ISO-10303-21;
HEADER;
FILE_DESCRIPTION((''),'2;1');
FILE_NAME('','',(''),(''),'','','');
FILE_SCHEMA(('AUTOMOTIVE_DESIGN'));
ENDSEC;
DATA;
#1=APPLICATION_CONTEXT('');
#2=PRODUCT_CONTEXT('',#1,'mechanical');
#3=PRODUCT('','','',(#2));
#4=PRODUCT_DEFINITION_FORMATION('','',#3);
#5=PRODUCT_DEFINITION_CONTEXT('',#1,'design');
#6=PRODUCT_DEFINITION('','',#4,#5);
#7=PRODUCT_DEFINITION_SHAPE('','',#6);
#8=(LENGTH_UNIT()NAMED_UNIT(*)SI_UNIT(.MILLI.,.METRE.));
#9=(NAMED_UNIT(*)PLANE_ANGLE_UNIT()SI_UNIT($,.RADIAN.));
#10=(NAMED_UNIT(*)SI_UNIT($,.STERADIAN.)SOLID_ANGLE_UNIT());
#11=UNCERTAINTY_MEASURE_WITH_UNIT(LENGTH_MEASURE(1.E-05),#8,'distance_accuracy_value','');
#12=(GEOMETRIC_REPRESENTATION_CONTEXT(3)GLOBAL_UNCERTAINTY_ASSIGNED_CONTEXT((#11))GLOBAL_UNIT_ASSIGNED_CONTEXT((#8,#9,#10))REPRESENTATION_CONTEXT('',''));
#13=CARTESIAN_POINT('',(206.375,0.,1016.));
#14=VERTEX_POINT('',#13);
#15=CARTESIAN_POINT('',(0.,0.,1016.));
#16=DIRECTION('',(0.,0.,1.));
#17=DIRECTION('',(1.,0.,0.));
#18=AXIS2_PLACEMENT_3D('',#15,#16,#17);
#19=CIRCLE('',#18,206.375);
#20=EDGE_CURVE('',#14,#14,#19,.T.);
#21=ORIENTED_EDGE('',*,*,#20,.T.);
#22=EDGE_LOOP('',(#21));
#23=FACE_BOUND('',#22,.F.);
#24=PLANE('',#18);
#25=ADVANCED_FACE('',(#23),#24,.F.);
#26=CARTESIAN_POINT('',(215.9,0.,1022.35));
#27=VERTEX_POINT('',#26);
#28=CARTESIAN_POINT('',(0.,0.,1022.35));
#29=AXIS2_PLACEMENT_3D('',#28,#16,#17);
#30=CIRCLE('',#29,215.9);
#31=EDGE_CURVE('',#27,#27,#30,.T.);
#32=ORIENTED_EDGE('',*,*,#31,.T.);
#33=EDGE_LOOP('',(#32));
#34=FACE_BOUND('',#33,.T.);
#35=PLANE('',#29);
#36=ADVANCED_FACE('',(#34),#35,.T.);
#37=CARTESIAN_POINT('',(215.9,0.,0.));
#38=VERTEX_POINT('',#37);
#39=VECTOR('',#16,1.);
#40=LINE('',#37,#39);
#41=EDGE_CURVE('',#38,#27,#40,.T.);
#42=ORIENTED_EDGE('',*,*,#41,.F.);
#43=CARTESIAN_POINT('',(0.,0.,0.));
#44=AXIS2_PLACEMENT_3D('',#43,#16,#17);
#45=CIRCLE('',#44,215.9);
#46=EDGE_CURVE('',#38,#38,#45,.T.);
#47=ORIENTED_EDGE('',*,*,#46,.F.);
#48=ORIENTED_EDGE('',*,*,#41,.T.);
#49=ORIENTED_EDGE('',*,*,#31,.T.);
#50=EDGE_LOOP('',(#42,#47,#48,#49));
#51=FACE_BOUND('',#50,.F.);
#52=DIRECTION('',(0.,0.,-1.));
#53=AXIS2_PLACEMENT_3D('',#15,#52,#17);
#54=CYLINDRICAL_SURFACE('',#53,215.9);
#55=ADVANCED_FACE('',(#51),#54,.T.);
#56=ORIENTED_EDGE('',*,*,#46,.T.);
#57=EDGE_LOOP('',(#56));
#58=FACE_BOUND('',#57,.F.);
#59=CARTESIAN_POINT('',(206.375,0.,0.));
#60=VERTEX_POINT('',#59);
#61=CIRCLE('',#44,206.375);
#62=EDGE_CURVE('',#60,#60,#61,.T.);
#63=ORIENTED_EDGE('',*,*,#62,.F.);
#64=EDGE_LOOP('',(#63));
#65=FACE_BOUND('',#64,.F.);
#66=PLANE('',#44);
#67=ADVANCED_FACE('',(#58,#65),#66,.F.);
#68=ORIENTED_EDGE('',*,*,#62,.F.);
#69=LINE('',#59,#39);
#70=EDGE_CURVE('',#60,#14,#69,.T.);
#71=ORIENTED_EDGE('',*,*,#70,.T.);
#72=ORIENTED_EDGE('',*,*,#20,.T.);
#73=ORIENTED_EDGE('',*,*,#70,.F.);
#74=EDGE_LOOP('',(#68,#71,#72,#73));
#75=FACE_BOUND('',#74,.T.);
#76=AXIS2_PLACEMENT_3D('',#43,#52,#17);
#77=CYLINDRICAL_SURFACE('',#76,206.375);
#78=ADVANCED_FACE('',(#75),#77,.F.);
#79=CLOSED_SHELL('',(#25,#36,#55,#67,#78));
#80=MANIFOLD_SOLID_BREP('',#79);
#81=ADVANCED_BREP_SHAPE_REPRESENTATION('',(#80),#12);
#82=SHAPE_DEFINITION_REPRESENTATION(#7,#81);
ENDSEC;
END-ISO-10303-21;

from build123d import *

# Parameters (mm, degrees)
F0_R     = 215.9
F0_R_2   = 206.375
F1_DEPTH = 457.2
F2_DEPTH = 1016
F3_R     = 215.9
F4_DEPTH = 6.35


with BuildPart() as f1:
    # F0 (on Top) → F1 (new body)
    with BuildSketch(Plane.XY):
        Circle(F0_R)
        Circle(F0_R_2, mode=Mode.SUBTRACT)
    extrude(amount=F1_DEPTH)

    # F0 (on Top) → F2 (join)
    with BuildSketch(Plane.XY):
        Circle(F0_R)
        Circle(F0_R_2, mode=Mode.SUBTRACT)
    extrude(amount=F2_DEPTH)

    # F3 (on face) → F4 (join)
    with BuildSketch(Plane.XY.offset(1016)):
        Circle(F3_R)
    extrude(amount=F4_DEPTH)


solid = f1.part
